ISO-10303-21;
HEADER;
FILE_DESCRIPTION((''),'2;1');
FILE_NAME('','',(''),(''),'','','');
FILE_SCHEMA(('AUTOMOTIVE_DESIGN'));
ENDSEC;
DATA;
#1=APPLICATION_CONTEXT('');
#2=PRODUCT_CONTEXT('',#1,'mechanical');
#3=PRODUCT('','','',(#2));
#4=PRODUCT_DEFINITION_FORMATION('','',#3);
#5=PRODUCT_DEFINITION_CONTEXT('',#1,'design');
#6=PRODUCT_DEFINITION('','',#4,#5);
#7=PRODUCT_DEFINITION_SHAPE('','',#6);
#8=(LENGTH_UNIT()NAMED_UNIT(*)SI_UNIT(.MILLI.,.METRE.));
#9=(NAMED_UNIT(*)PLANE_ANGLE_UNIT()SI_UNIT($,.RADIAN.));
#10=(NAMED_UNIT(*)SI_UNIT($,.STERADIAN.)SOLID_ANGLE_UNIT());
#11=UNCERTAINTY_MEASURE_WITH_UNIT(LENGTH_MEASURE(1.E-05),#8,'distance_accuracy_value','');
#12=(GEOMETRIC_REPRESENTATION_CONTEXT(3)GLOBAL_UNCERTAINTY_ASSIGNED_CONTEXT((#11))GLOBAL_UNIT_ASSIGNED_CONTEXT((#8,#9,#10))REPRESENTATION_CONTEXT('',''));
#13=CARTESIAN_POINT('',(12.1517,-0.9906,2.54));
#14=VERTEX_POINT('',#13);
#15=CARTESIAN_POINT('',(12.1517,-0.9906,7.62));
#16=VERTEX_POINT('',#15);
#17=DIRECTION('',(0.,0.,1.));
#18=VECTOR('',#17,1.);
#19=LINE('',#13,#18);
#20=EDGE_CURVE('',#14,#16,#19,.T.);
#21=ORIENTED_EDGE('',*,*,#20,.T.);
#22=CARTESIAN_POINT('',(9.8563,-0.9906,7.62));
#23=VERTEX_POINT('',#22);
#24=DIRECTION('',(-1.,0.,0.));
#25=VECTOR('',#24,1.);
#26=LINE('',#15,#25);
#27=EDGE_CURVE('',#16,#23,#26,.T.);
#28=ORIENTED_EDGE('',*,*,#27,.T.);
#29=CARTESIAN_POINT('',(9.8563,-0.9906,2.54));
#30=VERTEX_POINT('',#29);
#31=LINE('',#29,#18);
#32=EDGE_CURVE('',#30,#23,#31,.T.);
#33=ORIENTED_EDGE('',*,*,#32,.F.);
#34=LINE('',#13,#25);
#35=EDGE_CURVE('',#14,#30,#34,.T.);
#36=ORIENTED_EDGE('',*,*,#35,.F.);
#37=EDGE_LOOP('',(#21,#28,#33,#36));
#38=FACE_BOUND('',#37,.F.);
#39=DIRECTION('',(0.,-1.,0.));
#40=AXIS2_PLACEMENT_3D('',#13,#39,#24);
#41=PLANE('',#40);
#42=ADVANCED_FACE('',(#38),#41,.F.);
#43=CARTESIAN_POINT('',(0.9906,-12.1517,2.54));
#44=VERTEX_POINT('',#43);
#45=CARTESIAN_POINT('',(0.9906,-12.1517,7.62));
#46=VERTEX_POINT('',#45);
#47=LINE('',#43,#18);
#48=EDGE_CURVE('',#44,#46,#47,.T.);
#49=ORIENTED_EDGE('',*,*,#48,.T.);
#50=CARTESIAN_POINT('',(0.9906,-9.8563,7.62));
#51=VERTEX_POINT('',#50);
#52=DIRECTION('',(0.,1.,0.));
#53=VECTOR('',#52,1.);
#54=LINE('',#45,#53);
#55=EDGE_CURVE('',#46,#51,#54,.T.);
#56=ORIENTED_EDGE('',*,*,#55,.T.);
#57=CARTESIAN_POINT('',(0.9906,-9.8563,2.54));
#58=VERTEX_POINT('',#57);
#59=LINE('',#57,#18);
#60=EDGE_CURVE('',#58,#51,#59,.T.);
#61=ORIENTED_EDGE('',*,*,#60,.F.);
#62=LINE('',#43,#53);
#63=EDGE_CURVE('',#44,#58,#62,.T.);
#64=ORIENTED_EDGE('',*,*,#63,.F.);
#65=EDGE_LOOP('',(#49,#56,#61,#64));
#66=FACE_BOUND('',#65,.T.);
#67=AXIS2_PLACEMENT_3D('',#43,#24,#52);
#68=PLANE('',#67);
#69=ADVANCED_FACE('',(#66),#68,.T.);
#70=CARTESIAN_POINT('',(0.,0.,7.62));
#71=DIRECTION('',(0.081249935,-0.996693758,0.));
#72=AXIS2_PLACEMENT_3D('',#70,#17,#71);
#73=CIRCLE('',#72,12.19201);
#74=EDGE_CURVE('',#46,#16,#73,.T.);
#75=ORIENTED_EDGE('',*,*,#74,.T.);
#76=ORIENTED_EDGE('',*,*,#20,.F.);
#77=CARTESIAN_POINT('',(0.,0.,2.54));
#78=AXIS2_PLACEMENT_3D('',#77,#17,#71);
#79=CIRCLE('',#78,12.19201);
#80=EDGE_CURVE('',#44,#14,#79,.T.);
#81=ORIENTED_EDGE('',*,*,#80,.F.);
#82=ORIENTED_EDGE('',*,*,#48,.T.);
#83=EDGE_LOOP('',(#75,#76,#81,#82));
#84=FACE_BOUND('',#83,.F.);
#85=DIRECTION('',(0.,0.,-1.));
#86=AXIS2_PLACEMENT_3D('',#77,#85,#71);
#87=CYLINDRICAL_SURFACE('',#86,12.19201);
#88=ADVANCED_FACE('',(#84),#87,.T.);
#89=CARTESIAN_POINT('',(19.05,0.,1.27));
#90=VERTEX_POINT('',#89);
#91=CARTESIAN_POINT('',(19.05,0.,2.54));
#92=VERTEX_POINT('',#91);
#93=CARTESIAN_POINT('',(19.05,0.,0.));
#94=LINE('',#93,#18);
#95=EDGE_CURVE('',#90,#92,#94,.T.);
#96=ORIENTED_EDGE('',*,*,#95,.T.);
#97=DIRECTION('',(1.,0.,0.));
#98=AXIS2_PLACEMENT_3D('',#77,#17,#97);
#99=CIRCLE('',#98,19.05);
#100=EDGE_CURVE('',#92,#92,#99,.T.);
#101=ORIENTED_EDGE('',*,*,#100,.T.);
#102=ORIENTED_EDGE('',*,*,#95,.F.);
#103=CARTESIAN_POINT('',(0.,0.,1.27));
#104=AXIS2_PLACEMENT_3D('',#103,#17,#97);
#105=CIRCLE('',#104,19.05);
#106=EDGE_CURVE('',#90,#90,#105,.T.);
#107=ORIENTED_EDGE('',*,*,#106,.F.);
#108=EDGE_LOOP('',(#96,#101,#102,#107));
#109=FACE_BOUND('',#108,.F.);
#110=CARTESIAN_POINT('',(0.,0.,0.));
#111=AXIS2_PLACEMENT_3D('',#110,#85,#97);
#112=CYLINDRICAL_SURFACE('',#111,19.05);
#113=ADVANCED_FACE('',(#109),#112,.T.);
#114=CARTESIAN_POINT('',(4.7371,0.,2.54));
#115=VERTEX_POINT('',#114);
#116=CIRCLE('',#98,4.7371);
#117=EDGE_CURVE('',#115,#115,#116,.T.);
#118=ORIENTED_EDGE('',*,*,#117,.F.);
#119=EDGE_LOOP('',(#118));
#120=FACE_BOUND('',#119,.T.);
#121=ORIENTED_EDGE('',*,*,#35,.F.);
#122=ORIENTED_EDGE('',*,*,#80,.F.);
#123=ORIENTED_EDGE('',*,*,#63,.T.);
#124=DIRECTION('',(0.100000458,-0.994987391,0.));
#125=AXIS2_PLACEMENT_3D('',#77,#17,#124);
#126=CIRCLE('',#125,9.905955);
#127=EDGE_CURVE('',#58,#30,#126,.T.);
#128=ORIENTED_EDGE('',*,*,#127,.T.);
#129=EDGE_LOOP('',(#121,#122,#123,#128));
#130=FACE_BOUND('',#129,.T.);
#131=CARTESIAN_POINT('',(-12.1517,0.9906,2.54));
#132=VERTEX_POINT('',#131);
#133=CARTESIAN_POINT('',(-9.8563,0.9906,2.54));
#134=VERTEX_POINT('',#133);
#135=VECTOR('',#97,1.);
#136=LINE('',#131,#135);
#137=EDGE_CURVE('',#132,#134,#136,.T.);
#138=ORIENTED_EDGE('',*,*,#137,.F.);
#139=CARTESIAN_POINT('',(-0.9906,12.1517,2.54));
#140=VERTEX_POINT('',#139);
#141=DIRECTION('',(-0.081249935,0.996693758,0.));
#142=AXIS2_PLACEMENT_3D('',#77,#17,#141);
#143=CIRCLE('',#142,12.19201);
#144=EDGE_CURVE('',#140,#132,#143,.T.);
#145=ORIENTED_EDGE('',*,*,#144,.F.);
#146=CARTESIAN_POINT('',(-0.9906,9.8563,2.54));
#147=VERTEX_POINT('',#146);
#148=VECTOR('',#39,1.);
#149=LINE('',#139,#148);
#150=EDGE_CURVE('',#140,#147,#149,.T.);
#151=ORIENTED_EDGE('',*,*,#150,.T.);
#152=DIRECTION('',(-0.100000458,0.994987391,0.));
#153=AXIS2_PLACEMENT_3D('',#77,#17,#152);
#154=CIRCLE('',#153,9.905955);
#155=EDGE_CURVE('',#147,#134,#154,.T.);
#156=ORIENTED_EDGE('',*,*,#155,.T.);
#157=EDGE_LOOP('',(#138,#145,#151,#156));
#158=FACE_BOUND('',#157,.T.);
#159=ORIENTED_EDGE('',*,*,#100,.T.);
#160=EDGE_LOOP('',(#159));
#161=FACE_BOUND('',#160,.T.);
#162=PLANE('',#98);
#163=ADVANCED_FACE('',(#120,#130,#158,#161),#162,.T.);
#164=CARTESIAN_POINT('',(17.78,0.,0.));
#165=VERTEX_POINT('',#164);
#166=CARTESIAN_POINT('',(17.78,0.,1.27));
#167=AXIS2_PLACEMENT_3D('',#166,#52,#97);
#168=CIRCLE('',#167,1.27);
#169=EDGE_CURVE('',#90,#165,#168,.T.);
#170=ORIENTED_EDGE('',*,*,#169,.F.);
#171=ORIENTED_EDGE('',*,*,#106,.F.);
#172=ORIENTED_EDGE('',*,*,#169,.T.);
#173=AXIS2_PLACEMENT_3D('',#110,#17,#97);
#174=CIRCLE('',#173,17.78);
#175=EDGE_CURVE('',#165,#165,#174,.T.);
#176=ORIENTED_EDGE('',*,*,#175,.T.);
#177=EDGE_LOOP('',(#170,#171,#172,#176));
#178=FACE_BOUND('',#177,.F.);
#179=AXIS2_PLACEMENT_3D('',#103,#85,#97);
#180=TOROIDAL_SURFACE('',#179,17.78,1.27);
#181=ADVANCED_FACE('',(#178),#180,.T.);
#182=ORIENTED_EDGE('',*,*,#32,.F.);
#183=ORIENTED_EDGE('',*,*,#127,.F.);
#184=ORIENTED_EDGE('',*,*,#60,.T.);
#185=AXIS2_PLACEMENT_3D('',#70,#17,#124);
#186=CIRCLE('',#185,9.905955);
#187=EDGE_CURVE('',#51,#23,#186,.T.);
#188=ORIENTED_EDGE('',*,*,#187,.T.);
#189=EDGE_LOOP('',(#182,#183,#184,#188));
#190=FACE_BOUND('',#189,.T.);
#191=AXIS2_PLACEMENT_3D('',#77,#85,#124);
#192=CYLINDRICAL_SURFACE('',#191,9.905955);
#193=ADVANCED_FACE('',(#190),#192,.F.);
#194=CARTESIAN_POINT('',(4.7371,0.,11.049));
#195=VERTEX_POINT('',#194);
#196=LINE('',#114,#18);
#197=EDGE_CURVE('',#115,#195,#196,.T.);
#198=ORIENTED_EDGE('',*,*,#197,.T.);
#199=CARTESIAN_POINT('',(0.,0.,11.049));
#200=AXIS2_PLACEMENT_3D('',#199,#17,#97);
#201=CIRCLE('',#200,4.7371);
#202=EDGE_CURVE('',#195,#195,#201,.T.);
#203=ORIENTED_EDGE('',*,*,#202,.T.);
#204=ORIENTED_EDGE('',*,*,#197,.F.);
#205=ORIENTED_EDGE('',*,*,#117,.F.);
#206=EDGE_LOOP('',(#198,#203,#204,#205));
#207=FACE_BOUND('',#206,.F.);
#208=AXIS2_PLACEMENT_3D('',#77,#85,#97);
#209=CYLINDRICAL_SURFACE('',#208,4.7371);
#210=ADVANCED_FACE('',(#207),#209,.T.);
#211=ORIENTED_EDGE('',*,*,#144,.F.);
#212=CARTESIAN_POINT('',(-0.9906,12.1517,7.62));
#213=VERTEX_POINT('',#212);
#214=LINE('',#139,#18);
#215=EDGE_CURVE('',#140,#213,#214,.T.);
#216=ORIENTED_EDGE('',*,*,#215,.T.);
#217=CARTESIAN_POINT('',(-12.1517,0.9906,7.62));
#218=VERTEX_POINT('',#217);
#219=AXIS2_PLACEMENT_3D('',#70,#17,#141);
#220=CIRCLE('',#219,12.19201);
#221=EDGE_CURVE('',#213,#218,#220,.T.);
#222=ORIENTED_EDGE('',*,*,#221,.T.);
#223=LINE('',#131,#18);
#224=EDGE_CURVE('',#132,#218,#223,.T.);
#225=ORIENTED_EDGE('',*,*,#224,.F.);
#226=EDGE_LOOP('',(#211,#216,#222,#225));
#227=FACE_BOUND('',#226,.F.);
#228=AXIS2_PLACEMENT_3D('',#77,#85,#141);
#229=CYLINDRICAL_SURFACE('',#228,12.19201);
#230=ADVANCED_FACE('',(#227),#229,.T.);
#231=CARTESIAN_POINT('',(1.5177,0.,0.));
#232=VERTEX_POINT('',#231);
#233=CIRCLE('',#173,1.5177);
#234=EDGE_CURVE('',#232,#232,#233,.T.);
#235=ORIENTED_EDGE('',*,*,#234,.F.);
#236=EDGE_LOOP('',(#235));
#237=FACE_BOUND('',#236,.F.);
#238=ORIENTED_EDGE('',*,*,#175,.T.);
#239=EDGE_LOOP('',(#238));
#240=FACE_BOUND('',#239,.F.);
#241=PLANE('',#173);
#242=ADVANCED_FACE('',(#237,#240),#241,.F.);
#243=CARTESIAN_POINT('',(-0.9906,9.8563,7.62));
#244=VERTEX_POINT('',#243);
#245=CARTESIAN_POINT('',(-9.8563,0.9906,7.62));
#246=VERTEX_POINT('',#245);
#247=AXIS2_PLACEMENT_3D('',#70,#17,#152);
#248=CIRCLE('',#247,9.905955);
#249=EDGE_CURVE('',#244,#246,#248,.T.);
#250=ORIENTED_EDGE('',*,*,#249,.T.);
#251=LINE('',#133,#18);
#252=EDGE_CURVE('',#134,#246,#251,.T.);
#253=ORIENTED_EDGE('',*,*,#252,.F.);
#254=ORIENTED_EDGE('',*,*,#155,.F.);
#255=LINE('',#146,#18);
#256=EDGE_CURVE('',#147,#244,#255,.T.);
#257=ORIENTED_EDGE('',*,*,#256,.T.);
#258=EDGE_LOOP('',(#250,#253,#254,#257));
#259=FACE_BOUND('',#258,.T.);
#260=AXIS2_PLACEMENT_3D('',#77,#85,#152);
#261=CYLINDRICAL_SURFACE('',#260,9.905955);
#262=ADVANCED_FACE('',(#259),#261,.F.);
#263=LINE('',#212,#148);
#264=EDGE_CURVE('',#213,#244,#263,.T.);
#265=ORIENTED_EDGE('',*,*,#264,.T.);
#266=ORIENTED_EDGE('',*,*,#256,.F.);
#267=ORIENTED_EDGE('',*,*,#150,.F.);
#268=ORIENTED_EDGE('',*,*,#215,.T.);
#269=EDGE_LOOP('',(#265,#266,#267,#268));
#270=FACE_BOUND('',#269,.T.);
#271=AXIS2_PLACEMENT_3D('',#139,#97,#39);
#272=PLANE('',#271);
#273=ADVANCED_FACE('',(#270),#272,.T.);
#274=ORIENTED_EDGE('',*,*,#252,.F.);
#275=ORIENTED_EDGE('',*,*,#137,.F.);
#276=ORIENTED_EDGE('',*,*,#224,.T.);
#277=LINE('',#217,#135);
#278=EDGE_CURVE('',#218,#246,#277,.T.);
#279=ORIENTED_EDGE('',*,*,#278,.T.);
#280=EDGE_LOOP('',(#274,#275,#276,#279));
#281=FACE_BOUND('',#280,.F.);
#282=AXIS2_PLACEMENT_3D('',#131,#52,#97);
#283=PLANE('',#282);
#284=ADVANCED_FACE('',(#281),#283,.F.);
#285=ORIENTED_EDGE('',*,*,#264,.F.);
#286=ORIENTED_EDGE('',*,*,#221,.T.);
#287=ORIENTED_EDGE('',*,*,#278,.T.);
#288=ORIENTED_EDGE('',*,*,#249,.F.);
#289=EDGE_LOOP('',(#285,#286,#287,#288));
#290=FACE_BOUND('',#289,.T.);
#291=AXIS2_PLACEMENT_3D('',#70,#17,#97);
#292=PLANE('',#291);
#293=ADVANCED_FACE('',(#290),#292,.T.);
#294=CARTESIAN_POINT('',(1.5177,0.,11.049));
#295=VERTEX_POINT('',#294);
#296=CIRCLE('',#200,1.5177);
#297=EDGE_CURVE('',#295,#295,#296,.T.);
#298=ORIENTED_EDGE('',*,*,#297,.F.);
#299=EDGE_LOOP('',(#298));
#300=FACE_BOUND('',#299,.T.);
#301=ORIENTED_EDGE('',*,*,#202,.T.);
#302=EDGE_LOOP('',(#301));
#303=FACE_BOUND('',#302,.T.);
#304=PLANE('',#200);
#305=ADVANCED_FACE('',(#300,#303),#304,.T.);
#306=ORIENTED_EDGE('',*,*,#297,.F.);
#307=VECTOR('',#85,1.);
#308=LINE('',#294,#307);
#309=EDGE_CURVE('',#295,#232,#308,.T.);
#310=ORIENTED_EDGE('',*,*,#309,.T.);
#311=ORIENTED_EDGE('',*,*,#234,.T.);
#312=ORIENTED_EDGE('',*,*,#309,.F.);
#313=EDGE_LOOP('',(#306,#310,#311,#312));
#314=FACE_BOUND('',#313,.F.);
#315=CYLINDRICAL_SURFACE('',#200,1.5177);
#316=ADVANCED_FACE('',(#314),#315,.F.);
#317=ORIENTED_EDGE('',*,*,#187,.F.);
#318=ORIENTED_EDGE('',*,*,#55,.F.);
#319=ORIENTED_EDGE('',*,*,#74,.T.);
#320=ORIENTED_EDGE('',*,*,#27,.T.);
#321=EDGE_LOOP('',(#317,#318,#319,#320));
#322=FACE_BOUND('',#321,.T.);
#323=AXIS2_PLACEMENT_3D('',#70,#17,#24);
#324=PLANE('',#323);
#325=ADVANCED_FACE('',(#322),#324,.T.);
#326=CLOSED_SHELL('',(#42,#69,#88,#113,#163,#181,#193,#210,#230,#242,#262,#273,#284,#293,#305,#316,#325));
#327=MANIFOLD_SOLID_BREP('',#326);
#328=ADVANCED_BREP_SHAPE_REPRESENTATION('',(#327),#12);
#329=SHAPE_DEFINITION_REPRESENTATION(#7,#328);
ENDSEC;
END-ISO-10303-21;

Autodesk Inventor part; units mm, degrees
ref_plane "YZ Plane" through (0, 0, 0) normal (1, 0, 0) x (0, 1, 0)
ref_plane "XZ Plane" through (0, 0, 0) normal (0, 1, 0) x (-1, 0, 0)
ref_plane "XY Plane" through (0, 0, 0) normal (0, 0, 1) x (1, 0, 0)
sketch "Sketch1" plane through (0, 0, 0) normal (0, 0, 1) x (1, 0, 0)
  circle A0 centre (0, 0) radius 19.05
  dimension "d0" = 38.1
extrude "Extrusion1" add sketch "Sketch1" along normal blind 2.54
sketch "Sketch2" plane through (0, 0, 2.54) normal (0, 0, 1) x (1, 0, 0)
  circle A0 centre (0, 0) radius 19.05 projected
  circle A1 centre (0, 0) radius 4.7371
  dimension "d3" = 9.4742
extrude "Extrusion2" add sketch "Sketch2" along normal blind 8.509 contours A1
sketch "Sketch3" plane through (0, 0, 11.049) normal (0, 0, 1) x (1, 0, 0)
  circle A0 centre (0, 0) radius 4.7371 projected
  circle A1 centre (0, 0) radius 1.5177
  dimension "d6" = 3.0353
extrude "Extrusion3" cut sketch "Sketch3" against normal through all contours A1
sketch "Sketch4" plane through (0, 0, 2.54) normal (0, 0, 1) x (1, 0, 0)
  circle A0 centre (0, 0) radius 4.7371 projected
  circle A1 centre (0, 0) radius 19.05 projected
  line L0 (-12.1517, 0.9906) -> (-9.8563, 0.9906)
  line L1 (-0.9906, 12.1517) -> (-0.9906, 9.8563)
  arc A2 (-0.9906, 12.1517) -> (-12.1517, 0.9906) centre (0, 0) ccw
  arc A3 (-0.9906, 9.8563) -> (-9.8563, 0.9906) centre (0, 0) ccw
  dimension "d9" = 0.9906
  dimension "d10" = 0.9906
  dimension "d11" = 9.906
  dimension "d12" = 12.192
extrude "Extrusion4" add sketch "Sketch4" along normal blind 5.08 contours A2 L1 A3 L0
pattern_circular "Circular Pattern1" count 2 over 360 about axis through (0, 0, 0) along (0, 0, 1) of "Extrusion4"
fillet "Fillet1" radius 1.27 1 edges at (-19.05, 0, 0)
equation "\"d10\" = d9"
properties part number "Kornylak Wheel Hub - Out Side"
